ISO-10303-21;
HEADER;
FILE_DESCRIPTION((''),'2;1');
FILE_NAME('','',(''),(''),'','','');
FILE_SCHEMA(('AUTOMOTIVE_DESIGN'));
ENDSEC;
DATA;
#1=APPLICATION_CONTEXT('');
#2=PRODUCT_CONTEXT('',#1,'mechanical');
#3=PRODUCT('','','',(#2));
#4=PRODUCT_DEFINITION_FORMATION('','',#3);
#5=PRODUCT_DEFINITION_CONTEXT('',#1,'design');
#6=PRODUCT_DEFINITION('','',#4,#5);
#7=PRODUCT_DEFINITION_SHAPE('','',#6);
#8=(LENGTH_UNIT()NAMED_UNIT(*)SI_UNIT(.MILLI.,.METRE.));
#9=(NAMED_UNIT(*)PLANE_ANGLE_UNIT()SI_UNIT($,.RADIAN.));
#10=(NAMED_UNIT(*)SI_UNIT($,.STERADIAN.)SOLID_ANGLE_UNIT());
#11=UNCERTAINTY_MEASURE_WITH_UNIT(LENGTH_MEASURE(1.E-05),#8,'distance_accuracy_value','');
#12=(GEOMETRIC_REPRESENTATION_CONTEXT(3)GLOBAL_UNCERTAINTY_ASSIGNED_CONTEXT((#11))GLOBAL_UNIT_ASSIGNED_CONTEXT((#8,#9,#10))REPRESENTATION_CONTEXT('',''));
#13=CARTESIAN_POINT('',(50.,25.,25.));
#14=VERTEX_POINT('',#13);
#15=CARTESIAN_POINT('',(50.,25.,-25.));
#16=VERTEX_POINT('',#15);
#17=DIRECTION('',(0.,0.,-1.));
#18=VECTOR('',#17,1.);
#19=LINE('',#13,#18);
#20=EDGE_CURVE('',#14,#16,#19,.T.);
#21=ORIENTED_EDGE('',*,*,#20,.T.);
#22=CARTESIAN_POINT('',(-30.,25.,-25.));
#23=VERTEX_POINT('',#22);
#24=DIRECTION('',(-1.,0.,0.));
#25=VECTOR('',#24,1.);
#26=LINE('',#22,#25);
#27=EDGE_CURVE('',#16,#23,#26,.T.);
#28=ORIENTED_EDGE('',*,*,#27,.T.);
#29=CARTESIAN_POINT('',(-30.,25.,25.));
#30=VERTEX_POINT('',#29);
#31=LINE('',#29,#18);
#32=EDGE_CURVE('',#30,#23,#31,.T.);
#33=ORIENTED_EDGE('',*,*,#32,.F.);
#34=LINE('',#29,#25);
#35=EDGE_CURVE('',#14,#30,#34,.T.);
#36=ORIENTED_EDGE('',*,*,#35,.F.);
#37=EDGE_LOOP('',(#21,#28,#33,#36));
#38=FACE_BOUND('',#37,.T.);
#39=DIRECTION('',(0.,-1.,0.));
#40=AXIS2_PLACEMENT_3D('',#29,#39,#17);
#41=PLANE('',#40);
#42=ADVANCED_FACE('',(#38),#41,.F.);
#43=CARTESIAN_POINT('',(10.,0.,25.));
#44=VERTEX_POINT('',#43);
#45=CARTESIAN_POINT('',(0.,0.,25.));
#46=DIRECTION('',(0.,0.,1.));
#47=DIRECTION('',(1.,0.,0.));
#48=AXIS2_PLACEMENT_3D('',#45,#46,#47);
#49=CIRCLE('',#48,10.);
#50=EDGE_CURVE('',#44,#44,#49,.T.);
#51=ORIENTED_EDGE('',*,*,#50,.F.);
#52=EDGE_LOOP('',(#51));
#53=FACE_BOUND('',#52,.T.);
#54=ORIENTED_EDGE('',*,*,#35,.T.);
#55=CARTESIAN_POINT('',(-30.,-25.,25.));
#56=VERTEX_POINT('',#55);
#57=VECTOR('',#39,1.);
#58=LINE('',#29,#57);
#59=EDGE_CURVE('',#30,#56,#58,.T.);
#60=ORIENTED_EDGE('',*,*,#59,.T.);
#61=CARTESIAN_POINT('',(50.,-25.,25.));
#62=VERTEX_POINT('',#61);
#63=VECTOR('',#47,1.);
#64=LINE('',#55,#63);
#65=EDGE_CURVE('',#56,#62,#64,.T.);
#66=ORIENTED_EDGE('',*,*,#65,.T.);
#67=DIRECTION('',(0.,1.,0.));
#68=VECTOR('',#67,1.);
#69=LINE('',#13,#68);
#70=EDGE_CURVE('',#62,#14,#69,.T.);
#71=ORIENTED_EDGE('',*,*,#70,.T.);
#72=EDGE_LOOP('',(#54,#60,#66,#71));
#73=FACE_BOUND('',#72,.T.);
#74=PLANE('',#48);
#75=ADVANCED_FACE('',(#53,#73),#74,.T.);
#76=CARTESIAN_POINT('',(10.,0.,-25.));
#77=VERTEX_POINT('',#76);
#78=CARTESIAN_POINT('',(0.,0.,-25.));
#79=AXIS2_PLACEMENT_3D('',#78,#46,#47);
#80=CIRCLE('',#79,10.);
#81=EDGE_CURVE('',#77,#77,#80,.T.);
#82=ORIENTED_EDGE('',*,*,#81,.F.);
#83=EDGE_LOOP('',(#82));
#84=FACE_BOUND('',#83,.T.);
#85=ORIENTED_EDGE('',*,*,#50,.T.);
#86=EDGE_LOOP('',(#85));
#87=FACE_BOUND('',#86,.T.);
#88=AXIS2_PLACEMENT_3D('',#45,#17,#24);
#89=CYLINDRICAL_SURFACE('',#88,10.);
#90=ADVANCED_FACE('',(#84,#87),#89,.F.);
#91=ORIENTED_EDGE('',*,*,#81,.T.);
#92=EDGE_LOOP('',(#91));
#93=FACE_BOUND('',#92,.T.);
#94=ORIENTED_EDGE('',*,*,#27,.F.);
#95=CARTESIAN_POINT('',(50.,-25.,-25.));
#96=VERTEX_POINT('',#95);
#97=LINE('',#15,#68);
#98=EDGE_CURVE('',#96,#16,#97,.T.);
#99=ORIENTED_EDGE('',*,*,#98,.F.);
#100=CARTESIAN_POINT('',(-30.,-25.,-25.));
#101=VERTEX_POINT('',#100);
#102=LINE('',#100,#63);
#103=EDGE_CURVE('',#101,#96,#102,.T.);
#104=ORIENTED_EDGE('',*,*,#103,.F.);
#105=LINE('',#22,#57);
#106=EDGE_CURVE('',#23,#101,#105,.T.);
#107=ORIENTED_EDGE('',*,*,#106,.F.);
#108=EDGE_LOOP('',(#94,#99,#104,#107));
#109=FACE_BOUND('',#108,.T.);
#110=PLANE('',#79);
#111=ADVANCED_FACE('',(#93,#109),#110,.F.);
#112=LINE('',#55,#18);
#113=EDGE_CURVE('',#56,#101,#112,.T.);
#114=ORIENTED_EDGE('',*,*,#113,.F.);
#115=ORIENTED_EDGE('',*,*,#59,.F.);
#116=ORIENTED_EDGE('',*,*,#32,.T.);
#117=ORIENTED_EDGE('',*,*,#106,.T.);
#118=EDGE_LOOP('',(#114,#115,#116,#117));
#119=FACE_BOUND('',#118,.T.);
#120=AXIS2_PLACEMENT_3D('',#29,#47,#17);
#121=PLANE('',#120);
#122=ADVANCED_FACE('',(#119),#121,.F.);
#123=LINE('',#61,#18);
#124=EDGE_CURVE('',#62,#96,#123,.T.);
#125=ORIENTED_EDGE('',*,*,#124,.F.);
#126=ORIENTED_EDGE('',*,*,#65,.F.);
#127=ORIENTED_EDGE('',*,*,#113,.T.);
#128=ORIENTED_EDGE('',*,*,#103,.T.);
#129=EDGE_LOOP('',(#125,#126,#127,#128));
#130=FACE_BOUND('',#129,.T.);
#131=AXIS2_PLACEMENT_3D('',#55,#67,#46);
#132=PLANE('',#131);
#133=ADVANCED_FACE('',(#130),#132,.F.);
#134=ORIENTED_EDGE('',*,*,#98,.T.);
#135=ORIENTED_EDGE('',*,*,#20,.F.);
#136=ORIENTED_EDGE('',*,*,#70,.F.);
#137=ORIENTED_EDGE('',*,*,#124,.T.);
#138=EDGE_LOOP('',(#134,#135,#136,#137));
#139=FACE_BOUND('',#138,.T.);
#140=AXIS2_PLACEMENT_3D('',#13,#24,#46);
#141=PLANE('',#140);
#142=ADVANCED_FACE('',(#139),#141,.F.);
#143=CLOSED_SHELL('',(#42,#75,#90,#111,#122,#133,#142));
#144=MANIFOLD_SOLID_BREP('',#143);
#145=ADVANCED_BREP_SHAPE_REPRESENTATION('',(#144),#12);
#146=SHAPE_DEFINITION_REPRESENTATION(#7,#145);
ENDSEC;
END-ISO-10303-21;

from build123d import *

# Parameters (mm, degrees)
SKETCH_1_W      = 80
SKETCH_1_H      = 50
SKETCH_1_R      = 10
EXTRUDE_1_DEPTH = 25


with BuildPart() as part:
    # Эскиз1 → Бобышка-Вытянуть1 (new body, symmetric)
    with BuildSketch(Plane.XY):
        with Locations((10, 0)):
            Rectangle(SKETCH_1_W, SKETCH_1_H)
        Circle(SKETCH_1_R, mode=Mode.SUBTRACT)
    extrude(amount=EXTRUDE_1_DEPTH, both=True)


solid = part.part
